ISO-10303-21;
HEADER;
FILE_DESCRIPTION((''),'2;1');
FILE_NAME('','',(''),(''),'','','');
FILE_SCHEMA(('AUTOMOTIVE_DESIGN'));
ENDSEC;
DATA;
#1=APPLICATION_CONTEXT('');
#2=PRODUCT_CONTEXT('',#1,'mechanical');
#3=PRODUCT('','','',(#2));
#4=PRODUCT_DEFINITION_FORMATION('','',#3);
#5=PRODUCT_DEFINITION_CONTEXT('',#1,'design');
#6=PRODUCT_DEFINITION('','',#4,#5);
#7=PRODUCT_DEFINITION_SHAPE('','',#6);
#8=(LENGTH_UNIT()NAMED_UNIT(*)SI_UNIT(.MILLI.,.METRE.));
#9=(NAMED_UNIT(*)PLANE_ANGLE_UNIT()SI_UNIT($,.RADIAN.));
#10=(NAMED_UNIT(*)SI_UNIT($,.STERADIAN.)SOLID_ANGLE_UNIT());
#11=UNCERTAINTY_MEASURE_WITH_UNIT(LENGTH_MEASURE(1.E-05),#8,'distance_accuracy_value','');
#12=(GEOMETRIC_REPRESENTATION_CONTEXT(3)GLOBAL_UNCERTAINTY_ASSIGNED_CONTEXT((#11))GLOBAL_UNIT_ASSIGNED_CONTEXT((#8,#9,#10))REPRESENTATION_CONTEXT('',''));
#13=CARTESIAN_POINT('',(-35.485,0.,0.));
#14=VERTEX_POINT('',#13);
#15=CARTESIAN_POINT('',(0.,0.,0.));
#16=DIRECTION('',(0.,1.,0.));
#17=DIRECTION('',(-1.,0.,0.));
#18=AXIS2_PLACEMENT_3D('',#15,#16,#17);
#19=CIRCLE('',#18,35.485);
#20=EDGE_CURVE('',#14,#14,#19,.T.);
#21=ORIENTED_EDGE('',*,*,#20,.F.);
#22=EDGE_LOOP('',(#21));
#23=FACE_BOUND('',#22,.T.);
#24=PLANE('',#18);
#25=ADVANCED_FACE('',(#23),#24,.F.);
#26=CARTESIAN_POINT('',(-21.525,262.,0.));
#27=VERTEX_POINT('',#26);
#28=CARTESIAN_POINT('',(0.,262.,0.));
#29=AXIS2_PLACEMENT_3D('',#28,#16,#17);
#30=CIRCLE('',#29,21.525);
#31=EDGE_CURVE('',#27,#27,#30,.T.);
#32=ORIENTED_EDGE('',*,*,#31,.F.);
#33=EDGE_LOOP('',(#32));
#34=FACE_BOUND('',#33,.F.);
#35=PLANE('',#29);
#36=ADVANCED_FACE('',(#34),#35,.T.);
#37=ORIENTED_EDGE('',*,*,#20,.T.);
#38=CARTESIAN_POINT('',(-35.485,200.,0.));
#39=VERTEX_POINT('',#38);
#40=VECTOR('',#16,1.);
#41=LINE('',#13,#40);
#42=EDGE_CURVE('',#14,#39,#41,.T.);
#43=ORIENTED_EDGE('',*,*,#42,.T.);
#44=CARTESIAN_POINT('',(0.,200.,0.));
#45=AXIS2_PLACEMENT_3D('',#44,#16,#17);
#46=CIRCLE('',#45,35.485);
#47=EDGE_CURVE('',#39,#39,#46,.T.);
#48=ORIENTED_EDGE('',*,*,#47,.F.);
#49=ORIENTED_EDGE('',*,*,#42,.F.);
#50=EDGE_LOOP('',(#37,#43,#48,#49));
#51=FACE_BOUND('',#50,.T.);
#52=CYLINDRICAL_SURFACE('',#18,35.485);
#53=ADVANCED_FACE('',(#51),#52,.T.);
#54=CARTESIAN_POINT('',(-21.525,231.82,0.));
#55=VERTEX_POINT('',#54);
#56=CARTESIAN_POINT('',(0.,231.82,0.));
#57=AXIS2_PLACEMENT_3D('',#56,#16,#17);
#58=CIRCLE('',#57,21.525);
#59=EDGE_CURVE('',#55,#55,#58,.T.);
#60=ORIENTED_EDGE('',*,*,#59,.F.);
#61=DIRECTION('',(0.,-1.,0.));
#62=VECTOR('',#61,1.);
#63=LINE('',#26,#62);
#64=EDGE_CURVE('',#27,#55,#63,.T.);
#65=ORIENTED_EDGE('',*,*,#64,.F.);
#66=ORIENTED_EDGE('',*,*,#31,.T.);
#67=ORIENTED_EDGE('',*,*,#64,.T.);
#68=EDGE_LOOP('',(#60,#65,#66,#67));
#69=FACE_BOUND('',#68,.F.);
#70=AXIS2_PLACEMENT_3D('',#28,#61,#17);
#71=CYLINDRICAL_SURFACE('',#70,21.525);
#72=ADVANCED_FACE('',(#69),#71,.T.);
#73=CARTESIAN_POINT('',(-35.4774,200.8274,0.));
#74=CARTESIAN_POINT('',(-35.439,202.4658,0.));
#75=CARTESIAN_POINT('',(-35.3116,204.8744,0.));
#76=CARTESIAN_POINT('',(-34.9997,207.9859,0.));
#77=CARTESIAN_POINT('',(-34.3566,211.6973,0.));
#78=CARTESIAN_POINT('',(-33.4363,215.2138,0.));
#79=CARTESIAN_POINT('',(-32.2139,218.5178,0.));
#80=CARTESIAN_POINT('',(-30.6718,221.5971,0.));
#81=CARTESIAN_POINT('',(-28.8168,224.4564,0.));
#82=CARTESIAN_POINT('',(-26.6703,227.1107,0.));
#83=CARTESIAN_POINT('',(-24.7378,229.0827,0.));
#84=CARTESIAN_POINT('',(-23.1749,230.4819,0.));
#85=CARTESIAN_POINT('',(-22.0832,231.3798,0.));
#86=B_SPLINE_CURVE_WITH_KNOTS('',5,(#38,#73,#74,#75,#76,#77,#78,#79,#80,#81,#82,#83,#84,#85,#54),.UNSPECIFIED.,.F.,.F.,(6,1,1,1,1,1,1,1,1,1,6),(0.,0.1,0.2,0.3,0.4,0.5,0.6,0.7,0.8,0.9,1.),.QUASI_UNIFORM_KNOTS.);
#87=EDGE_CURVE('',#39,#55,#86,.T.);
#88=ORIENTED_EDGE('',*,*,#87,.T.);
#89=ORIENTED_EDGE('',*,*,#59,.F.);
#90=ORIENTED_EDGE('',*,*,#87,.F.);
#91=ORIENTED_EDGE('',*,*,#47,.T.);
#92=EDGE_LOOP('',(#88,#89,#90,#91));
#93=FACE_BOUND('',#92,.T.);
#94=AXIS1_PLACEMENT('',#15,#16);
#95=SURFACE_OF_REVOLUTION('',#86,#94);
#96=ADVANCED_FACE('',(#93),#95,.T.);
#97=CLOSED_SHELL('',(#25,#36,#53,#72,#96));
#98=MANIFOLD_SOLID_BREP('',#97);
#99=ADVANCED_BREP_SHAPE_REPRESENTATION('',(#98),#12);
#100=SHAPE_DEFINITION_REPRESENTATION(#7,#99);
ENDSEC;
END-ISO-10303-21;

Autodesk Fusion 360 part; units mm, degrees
sketch "Sketch1" plane through (0, 0, 0) normal (0, 0, 1) x (1, 0, 0)
  line L0 (0, 0) -> (0, 262)
  line L1 (0, 262) -> (-21.525, 262)
  line L2 (-21.525, 262) -> (-21.525, 231.82)
  line L3 (-21.525, 231.82) -> (0, 231.82)
  line L4 (0, 0) -> (-35.485, 0)
  line L5 (-35.485, 0) -> (-35.485, 200)
  spline S0 degree 5 poles (-35.485, 200) (-35.4774, 200.8274) (-35.439, 202.4658) (-35.3116, 204.8744) (-34.9997, 207.9859) (-34.3566, 211.6973) (-33.4363, 215.2138) (-32.2139, 218.5178) (-30.6718, 221.5971) (-28.8168, 224.4564) (-26.6703, 227.1107) (-24.7378, 229.0827) (-23.1749, 230.4819) (-22.0832, 231.3798) (-21.525, 231.82) knots 0 0 0 0 0 0 0.1 0.2 0.3 0.4 0.5 0.6 0.7 0.8 0.9 1 1 1 1 1 1
  point P0 (-31.849, 219.1008)
  dimension "d2" = 262
  dimension "d6" = 21.525
  dimension "d7" = 30.18
  dimension "d8" = 35.485
revolve "Revolve1" add sketch "Sketch1" angle 360 about axis through (0, 0, 0) along (0, 1, 0)
equation "diameter = 70.97 mm"
equation "d2 = bottle_length"
equation "bottle_length = 262 mm"
equation "cap_diameter = 43.05 mm"
equation "cap_length = 30.18 mm"
equation "d6 = cap_diameter / 2"
equation "d7 = cap_length"
equation "d8 = bottle_diameter / 2"
equation "bottle_diameter = 70.97 mm"
